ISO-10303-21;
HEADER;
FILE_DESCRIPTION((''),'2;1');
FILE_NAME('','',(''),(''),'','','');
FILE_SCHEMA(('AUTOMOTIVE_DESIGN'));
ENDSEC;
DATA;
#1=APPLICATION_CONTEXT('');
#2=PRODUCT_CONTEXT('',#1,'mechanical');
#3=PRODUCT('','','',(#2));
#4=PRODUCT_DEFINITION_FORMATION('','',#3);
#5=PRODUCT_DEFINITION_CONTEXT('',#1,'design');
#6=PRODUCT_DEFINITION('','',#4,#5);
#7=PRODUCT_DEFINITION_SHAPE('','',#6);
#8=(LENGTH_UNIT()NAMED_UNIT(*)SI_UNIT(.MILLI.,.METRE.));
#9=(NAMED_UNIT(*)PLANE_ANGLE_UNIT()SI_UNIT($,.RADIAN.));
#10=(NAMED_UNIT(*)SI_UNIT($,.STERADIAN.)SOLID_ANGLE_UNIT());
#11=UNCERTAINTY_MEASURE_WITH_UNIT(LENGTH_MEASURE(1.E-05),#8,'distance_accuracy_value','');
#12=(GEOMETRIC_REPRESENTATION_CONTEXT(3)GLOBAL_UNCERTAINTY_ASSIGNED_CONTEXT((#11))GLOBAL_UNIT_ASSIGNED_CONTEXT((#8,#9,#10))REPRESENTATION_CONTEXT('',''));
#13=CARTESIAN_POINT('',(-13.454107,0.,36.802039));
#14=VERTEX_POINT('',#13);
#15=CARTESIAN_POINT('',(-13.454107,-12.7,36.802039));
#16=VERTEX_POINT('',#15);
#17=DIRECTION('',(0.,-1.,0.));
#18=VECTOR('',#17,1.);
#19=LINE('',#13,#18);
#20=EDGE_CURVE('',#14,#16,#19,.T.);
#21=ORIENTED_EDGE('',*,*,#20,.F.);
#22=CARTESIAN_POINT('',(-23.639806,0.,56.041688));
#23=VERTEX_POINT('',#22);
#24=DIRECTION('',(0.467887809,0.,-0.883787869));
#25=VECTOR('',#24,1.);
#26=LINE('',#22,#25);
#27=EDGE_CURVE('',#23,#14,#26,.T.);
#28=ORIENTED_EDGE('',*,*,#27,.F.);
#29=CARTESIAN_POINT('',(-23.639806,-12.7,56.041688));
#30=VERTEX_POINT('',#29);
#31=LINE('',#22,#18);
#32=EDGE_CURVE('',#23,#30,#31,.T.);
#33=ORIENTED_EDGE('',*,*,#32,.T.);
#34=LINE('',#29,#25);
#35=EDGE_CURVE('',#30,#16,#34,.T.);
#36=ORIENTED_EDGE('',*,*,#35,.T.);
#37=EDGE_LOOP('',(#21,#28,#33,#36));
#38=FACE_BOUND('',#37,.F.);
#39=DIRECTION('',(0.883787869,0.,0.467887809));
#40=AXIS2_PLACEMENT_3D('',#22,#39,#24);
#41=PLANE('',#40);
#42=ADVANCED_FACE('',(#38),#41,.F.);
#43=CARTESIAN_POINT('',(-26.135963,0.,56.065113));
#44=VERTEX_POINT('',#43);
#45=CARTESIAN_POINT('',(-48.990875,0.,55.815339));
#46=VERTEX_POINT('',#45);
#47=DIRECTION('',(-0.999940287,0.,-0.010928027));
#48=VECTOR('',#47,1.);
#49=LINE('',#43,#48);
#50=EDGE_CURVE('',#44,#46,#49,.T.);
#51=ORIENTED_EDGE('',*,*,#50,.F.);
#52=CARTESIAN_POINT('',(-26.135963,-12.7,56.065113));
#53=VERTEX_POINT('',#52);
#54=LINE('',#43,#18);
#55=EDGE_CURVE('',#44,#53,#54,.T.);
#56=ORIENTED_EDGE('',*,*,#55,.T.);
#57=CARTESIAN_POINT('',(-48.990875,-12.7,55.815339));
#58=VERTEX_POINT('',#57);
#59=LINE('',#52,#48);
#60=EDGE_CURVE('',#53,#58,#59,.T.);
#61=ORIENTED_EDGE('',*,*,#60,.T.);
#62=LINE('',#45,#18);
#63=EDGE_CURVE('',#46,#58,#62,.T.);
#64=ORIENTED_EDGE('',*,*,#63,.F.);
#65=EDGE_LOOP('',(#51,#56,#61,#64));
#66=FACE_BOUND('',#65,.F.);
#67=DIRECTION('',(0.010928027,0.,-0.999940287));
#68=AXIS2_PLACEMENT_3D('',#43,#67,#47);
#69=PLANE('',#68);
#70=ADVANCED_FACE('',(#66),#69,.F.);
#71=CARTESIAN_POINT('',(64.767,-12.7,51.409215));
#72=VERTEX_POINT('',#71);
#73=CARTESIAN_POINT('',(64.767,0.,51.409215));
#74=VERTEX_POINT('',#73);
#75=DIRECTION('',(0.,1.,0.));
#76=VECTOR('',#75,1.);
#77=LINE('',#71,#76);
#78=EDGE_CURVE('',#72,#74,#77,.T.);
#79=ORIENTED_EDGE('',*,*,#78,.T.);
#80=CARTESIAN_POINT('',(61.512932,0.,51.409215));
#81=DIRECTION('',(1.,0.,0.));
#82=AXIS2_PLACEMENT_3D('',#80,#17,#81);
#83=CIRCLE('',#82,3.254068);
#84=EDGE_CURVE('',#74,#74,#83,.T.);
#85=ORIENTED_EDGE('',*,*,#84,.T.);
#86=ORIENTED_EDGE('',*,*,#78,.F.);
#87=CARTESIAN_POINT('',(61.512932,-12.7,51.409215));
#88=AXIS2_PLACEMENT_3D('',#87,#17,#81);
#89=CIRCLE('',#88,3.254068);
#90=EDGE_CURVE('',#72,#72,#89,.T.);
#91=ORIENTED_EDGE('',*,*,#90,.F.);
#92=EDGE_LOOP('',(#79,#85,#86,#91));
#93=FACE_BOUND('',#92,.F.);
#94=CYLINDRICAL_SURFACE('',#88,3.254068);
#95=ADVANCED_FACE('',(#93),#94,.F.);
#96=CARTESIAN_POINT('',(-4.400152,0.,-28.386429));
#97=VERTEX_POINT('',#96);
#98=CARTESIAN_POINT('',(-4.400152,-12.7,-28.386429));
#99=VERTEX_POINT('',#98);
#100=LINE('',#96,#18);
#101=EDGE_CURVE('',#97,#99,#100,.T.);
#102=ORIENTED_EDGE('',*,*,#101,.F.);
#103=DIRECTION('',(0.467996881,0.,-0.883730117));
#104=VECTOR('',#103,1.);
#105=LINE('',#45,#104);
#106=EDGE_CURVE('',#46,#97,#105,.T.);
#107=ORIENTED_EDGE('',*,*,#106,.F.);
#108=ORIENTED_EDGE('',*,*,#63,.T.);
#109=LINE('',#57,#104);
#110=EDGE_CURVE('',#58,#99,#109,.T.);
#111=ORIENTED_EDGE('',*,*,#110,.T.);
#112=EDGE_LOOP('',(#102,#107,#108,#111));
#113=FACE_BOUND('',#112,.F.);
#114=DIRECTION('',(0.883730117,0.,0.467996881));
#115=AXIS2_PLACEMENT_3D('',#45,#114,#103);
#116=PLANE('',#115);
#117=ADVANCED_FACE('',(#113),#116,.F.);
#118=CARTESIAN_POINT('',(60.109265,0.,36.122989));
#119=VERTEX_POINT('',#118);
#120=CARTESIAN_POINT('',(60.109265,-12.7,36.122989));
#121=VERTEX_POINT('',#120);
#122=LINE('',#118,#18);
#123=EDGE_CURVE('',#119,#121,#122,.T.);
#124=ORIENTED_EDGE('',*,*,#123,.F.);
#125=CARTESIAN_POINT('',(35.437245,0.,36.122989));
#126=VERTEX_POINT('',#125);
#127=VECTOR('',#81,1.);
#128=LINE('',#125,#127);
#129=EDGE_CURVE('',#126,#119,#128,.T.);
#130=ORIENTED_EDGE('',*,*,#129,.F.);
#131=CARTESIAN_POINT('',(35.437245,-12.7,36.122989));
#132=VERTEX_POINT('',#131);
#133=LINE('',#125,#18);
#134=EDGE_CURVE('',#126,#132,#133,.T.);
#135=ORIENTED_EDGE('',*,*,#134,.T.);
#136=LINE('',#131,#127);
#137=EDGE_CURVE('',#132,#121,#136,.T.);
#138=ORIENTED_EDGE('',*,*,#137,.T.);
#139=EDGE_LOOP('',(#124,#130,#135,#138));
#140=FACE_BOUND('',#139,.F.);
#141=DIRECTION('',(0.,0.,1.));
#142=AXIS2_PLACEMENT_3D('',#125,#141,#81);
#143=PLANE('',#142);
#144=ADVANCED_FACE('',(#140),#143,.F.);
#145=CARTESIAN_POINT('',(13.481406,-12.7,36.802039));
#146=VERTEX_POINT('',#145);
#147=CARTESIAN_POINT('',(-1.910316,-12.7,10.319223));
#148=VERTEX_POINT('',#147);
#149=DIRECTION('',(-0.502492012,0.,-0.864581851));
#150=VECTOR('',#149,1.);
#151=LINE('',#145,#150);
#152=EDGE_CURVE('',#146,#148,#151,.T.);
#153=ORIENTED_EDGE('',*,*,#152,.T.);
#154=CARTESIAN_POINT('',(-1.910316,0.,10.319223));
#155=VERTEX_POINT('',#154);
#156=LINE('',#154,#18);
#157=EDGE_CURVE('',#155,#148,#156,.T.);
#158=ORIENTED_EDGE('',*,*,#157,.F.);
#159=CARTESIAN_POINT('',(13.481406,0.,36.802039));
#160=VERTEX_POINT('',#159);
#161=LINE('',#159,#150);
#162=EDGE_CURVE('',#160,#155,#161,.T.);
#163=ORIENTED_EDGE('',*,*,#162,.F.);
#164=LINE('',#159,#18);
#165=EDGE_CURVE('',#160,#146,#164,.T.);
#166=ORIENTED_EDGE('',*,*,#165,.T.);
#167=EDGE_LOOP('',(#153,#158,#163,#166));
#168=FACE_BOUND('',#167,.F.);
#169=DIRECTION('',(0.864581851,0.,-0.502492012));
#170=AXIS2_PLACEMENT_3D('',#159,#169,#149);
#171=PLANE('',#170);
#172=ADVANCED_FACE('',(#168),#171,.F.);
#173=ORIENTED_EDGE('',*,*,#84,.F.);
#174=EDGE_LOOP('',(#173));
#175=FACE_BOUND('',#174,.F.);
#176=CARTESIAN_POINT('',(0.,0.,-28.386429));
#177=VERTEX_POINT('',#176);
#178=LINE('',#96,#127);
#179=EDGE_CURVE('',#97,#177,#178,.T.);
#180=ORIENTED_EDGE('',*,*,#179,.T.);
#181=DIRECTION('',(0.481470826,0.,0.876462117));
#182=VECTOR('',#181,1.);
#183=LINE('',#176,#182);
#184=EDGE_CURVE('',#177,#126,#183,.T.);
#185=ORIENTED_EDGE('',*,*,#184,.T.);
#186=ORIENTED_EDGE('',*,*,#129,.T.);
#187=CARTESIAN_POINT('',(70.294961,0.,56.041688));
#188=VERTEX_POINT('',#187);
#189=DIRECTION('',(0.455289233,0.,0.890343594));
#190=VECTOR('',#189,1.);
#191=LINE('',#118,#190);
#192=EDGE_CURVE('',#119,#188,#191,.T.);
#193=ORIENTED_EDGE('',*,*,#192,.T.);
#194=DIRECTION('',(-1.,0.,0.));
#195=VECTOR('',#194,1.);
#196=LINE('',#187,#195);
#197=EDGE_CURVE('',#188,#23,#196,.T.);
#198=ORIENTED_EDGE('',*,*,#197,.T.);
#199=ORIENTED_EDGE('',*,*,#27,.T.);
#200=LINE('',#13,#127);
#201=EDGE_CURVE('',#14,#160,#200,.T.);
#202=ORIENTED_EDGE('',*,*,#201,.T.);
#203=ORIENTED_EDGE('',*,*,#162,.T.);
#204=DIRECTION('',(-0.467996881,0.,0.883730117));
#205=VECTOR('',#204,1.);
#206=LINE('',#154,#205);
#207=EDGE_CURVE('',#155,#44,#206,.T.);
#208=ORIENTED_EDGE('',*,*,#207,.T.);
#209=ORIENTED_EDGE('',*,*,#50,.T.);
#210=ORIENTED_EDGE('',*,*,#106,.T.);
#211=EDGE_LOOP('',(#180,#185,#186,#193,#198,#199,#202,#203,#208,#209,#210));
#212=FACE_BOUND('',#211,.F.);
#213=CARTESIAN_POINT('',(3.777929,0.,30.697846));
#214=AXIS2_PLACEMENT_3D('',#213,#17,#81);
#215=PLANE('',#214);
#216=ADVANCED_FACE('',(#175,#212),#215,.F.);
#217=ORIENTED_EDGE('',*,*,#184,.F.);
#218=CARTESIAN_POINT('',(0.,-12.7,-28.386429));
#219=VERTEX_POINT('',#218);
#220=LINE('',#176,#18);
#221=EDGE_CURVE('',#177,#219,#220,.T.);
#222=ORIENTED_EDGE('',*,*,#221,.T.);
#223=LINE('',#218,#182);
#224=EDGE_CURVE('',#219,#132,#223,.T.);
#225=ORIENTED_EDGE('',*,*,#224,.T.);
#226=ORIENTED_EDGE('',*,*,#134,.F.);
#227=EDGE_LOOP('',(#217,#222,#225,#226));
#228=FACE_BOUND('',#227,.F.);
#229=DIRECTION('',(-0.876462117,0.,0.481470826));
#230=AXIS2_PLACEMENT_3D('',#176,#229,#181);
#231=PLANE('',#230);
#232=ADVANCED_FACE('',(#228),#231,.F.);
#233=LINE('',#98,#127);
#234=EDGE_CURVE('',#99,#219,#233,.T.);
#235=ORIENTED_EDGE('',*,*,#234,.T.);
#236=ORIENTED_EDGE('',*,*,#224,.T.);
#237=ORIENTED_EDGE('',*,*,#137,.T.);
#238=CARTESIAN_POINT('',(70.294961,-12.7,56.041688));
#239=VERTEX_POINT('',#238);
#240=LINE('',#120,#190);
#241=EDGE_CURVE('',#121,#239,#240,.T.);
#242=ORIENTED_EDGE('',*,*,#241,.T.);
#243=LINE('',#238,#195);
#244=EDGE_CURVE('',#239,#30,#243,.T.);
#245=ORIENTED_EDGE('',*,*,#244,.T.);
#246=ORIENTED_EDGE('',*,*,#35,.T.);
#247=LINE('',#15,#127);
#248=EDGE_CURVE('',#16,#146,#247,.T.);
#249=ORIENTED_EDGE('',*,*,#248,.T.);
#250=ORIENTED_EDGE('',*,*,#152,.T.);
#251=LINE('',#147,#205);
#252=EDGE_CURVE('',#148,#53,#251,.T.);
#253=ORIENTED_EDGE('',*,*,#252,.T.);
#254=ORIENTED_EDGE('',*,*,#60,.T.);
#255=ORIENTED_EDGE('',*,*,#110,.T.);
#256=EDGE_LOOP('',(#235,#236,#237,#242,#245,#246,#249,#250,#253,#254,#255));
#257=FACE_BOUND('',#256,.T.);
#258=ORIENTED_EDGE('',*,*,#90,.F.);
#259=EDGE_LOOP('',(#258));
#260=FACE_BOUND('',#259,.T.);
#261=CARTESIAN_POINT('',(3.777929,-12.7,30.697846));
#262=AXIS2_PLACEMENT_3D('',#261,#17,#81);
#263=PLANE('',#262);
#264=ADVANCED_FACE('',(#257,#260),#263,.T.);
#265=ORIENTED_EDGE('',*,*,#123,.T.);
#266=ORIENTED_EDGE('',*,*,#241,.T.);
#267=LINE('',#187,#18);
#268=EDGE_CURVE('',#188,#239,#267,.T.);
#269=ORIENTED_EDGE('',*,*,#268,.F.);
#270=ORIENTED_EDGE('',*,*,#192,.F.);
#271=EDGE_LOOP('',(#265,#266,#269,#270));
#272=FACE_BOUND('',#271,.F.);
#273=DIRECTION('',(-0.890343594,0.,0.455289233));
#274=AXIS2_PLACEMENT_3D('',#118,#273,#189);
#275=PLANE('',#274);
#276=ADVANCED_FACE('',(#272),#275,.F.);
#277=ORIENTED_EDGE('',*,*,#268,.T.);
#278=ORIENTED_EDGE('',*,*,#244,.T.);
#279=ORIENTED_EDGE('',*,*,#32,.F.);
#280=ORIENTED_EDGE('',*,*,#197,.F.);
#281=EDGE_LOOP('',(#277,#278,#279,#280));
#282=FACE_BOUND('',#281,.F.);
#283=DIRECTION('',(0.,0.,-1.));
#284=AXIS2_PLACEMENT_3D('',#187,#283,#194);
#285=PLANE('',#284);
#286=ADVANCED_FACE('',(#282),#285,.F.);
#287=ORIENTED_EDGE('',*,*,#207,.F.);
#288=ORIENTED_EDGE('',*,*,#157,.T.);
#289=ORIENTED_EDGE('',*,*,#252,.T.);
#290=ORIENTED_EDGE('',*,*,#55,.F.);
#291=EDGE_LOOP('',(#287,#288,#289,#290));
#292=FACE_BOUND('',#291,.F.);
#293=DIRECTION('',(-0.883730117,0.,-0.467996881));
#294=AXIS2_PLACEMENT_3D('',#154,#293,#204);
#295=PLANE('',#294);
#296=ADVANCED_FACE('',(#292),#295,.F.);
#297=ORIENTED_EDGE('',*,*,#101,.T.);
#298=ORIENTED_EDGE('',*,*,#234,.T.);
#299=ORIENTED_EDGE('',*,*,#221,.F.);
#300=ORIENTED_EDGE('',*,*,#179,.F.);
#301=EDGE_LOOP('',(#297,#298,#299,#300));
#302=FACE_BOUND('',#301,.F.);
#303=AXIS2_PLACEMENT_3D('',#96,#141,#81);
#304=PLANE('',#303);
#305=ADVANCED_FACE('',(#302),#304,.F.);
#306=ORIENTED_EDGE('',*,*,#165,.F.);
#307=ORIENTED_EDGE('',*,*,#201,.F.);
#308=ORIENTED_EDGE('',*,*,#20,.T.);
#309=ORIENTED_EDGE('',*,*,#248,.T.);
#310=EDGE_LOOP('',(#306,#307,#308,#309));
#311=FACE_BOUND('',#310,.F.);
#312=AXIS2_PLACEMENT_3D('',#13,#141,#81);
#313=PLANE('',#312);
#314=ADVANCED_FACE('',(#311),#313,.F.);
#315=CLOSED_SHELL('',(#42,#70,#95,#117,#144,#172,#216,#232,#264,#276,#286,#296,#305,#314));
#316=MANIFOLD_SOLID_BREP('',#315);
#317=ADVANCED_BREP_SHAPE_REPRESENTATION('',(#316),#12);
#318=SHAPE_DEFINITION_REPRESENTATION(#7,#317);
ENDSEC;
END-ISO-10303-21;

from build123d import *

# Parameters (mm, degrees)
F1_DEPTH = 12.7
F2_R     = 3.254068
F3_DEPTH = 12.701


with BuildPart() as f1:
    # F0 (on Front) → F1 (new body)
    with BuildSketch(Plane.XZ):
        Polygon((-26.135963, 56.065113), (-48.990875, 55.815339), (-4.400152, -28.386429), (0, -28.386429), (35.437245, 36.122989), (60.109265, 36.122989), (70.294961, 56.041688), (-23.639806, 56.041688), (-13.454107, 36.802039), (13.481406, 36.802039), (-1.910316, 10.319223), align=None)
    extrude(amount=F1_DEPTH)

    # F2 (on face) → F3 (cut, through all)
    with BuildSketch(Plane.XZ.offset(12.7)):
        with Locations((61.512932, 51.409215)):
            Circle(F2_R)
    extrude(amount=-F3_DEPTH, mode=Mode.SUBTRACT)


solid = f1.part
